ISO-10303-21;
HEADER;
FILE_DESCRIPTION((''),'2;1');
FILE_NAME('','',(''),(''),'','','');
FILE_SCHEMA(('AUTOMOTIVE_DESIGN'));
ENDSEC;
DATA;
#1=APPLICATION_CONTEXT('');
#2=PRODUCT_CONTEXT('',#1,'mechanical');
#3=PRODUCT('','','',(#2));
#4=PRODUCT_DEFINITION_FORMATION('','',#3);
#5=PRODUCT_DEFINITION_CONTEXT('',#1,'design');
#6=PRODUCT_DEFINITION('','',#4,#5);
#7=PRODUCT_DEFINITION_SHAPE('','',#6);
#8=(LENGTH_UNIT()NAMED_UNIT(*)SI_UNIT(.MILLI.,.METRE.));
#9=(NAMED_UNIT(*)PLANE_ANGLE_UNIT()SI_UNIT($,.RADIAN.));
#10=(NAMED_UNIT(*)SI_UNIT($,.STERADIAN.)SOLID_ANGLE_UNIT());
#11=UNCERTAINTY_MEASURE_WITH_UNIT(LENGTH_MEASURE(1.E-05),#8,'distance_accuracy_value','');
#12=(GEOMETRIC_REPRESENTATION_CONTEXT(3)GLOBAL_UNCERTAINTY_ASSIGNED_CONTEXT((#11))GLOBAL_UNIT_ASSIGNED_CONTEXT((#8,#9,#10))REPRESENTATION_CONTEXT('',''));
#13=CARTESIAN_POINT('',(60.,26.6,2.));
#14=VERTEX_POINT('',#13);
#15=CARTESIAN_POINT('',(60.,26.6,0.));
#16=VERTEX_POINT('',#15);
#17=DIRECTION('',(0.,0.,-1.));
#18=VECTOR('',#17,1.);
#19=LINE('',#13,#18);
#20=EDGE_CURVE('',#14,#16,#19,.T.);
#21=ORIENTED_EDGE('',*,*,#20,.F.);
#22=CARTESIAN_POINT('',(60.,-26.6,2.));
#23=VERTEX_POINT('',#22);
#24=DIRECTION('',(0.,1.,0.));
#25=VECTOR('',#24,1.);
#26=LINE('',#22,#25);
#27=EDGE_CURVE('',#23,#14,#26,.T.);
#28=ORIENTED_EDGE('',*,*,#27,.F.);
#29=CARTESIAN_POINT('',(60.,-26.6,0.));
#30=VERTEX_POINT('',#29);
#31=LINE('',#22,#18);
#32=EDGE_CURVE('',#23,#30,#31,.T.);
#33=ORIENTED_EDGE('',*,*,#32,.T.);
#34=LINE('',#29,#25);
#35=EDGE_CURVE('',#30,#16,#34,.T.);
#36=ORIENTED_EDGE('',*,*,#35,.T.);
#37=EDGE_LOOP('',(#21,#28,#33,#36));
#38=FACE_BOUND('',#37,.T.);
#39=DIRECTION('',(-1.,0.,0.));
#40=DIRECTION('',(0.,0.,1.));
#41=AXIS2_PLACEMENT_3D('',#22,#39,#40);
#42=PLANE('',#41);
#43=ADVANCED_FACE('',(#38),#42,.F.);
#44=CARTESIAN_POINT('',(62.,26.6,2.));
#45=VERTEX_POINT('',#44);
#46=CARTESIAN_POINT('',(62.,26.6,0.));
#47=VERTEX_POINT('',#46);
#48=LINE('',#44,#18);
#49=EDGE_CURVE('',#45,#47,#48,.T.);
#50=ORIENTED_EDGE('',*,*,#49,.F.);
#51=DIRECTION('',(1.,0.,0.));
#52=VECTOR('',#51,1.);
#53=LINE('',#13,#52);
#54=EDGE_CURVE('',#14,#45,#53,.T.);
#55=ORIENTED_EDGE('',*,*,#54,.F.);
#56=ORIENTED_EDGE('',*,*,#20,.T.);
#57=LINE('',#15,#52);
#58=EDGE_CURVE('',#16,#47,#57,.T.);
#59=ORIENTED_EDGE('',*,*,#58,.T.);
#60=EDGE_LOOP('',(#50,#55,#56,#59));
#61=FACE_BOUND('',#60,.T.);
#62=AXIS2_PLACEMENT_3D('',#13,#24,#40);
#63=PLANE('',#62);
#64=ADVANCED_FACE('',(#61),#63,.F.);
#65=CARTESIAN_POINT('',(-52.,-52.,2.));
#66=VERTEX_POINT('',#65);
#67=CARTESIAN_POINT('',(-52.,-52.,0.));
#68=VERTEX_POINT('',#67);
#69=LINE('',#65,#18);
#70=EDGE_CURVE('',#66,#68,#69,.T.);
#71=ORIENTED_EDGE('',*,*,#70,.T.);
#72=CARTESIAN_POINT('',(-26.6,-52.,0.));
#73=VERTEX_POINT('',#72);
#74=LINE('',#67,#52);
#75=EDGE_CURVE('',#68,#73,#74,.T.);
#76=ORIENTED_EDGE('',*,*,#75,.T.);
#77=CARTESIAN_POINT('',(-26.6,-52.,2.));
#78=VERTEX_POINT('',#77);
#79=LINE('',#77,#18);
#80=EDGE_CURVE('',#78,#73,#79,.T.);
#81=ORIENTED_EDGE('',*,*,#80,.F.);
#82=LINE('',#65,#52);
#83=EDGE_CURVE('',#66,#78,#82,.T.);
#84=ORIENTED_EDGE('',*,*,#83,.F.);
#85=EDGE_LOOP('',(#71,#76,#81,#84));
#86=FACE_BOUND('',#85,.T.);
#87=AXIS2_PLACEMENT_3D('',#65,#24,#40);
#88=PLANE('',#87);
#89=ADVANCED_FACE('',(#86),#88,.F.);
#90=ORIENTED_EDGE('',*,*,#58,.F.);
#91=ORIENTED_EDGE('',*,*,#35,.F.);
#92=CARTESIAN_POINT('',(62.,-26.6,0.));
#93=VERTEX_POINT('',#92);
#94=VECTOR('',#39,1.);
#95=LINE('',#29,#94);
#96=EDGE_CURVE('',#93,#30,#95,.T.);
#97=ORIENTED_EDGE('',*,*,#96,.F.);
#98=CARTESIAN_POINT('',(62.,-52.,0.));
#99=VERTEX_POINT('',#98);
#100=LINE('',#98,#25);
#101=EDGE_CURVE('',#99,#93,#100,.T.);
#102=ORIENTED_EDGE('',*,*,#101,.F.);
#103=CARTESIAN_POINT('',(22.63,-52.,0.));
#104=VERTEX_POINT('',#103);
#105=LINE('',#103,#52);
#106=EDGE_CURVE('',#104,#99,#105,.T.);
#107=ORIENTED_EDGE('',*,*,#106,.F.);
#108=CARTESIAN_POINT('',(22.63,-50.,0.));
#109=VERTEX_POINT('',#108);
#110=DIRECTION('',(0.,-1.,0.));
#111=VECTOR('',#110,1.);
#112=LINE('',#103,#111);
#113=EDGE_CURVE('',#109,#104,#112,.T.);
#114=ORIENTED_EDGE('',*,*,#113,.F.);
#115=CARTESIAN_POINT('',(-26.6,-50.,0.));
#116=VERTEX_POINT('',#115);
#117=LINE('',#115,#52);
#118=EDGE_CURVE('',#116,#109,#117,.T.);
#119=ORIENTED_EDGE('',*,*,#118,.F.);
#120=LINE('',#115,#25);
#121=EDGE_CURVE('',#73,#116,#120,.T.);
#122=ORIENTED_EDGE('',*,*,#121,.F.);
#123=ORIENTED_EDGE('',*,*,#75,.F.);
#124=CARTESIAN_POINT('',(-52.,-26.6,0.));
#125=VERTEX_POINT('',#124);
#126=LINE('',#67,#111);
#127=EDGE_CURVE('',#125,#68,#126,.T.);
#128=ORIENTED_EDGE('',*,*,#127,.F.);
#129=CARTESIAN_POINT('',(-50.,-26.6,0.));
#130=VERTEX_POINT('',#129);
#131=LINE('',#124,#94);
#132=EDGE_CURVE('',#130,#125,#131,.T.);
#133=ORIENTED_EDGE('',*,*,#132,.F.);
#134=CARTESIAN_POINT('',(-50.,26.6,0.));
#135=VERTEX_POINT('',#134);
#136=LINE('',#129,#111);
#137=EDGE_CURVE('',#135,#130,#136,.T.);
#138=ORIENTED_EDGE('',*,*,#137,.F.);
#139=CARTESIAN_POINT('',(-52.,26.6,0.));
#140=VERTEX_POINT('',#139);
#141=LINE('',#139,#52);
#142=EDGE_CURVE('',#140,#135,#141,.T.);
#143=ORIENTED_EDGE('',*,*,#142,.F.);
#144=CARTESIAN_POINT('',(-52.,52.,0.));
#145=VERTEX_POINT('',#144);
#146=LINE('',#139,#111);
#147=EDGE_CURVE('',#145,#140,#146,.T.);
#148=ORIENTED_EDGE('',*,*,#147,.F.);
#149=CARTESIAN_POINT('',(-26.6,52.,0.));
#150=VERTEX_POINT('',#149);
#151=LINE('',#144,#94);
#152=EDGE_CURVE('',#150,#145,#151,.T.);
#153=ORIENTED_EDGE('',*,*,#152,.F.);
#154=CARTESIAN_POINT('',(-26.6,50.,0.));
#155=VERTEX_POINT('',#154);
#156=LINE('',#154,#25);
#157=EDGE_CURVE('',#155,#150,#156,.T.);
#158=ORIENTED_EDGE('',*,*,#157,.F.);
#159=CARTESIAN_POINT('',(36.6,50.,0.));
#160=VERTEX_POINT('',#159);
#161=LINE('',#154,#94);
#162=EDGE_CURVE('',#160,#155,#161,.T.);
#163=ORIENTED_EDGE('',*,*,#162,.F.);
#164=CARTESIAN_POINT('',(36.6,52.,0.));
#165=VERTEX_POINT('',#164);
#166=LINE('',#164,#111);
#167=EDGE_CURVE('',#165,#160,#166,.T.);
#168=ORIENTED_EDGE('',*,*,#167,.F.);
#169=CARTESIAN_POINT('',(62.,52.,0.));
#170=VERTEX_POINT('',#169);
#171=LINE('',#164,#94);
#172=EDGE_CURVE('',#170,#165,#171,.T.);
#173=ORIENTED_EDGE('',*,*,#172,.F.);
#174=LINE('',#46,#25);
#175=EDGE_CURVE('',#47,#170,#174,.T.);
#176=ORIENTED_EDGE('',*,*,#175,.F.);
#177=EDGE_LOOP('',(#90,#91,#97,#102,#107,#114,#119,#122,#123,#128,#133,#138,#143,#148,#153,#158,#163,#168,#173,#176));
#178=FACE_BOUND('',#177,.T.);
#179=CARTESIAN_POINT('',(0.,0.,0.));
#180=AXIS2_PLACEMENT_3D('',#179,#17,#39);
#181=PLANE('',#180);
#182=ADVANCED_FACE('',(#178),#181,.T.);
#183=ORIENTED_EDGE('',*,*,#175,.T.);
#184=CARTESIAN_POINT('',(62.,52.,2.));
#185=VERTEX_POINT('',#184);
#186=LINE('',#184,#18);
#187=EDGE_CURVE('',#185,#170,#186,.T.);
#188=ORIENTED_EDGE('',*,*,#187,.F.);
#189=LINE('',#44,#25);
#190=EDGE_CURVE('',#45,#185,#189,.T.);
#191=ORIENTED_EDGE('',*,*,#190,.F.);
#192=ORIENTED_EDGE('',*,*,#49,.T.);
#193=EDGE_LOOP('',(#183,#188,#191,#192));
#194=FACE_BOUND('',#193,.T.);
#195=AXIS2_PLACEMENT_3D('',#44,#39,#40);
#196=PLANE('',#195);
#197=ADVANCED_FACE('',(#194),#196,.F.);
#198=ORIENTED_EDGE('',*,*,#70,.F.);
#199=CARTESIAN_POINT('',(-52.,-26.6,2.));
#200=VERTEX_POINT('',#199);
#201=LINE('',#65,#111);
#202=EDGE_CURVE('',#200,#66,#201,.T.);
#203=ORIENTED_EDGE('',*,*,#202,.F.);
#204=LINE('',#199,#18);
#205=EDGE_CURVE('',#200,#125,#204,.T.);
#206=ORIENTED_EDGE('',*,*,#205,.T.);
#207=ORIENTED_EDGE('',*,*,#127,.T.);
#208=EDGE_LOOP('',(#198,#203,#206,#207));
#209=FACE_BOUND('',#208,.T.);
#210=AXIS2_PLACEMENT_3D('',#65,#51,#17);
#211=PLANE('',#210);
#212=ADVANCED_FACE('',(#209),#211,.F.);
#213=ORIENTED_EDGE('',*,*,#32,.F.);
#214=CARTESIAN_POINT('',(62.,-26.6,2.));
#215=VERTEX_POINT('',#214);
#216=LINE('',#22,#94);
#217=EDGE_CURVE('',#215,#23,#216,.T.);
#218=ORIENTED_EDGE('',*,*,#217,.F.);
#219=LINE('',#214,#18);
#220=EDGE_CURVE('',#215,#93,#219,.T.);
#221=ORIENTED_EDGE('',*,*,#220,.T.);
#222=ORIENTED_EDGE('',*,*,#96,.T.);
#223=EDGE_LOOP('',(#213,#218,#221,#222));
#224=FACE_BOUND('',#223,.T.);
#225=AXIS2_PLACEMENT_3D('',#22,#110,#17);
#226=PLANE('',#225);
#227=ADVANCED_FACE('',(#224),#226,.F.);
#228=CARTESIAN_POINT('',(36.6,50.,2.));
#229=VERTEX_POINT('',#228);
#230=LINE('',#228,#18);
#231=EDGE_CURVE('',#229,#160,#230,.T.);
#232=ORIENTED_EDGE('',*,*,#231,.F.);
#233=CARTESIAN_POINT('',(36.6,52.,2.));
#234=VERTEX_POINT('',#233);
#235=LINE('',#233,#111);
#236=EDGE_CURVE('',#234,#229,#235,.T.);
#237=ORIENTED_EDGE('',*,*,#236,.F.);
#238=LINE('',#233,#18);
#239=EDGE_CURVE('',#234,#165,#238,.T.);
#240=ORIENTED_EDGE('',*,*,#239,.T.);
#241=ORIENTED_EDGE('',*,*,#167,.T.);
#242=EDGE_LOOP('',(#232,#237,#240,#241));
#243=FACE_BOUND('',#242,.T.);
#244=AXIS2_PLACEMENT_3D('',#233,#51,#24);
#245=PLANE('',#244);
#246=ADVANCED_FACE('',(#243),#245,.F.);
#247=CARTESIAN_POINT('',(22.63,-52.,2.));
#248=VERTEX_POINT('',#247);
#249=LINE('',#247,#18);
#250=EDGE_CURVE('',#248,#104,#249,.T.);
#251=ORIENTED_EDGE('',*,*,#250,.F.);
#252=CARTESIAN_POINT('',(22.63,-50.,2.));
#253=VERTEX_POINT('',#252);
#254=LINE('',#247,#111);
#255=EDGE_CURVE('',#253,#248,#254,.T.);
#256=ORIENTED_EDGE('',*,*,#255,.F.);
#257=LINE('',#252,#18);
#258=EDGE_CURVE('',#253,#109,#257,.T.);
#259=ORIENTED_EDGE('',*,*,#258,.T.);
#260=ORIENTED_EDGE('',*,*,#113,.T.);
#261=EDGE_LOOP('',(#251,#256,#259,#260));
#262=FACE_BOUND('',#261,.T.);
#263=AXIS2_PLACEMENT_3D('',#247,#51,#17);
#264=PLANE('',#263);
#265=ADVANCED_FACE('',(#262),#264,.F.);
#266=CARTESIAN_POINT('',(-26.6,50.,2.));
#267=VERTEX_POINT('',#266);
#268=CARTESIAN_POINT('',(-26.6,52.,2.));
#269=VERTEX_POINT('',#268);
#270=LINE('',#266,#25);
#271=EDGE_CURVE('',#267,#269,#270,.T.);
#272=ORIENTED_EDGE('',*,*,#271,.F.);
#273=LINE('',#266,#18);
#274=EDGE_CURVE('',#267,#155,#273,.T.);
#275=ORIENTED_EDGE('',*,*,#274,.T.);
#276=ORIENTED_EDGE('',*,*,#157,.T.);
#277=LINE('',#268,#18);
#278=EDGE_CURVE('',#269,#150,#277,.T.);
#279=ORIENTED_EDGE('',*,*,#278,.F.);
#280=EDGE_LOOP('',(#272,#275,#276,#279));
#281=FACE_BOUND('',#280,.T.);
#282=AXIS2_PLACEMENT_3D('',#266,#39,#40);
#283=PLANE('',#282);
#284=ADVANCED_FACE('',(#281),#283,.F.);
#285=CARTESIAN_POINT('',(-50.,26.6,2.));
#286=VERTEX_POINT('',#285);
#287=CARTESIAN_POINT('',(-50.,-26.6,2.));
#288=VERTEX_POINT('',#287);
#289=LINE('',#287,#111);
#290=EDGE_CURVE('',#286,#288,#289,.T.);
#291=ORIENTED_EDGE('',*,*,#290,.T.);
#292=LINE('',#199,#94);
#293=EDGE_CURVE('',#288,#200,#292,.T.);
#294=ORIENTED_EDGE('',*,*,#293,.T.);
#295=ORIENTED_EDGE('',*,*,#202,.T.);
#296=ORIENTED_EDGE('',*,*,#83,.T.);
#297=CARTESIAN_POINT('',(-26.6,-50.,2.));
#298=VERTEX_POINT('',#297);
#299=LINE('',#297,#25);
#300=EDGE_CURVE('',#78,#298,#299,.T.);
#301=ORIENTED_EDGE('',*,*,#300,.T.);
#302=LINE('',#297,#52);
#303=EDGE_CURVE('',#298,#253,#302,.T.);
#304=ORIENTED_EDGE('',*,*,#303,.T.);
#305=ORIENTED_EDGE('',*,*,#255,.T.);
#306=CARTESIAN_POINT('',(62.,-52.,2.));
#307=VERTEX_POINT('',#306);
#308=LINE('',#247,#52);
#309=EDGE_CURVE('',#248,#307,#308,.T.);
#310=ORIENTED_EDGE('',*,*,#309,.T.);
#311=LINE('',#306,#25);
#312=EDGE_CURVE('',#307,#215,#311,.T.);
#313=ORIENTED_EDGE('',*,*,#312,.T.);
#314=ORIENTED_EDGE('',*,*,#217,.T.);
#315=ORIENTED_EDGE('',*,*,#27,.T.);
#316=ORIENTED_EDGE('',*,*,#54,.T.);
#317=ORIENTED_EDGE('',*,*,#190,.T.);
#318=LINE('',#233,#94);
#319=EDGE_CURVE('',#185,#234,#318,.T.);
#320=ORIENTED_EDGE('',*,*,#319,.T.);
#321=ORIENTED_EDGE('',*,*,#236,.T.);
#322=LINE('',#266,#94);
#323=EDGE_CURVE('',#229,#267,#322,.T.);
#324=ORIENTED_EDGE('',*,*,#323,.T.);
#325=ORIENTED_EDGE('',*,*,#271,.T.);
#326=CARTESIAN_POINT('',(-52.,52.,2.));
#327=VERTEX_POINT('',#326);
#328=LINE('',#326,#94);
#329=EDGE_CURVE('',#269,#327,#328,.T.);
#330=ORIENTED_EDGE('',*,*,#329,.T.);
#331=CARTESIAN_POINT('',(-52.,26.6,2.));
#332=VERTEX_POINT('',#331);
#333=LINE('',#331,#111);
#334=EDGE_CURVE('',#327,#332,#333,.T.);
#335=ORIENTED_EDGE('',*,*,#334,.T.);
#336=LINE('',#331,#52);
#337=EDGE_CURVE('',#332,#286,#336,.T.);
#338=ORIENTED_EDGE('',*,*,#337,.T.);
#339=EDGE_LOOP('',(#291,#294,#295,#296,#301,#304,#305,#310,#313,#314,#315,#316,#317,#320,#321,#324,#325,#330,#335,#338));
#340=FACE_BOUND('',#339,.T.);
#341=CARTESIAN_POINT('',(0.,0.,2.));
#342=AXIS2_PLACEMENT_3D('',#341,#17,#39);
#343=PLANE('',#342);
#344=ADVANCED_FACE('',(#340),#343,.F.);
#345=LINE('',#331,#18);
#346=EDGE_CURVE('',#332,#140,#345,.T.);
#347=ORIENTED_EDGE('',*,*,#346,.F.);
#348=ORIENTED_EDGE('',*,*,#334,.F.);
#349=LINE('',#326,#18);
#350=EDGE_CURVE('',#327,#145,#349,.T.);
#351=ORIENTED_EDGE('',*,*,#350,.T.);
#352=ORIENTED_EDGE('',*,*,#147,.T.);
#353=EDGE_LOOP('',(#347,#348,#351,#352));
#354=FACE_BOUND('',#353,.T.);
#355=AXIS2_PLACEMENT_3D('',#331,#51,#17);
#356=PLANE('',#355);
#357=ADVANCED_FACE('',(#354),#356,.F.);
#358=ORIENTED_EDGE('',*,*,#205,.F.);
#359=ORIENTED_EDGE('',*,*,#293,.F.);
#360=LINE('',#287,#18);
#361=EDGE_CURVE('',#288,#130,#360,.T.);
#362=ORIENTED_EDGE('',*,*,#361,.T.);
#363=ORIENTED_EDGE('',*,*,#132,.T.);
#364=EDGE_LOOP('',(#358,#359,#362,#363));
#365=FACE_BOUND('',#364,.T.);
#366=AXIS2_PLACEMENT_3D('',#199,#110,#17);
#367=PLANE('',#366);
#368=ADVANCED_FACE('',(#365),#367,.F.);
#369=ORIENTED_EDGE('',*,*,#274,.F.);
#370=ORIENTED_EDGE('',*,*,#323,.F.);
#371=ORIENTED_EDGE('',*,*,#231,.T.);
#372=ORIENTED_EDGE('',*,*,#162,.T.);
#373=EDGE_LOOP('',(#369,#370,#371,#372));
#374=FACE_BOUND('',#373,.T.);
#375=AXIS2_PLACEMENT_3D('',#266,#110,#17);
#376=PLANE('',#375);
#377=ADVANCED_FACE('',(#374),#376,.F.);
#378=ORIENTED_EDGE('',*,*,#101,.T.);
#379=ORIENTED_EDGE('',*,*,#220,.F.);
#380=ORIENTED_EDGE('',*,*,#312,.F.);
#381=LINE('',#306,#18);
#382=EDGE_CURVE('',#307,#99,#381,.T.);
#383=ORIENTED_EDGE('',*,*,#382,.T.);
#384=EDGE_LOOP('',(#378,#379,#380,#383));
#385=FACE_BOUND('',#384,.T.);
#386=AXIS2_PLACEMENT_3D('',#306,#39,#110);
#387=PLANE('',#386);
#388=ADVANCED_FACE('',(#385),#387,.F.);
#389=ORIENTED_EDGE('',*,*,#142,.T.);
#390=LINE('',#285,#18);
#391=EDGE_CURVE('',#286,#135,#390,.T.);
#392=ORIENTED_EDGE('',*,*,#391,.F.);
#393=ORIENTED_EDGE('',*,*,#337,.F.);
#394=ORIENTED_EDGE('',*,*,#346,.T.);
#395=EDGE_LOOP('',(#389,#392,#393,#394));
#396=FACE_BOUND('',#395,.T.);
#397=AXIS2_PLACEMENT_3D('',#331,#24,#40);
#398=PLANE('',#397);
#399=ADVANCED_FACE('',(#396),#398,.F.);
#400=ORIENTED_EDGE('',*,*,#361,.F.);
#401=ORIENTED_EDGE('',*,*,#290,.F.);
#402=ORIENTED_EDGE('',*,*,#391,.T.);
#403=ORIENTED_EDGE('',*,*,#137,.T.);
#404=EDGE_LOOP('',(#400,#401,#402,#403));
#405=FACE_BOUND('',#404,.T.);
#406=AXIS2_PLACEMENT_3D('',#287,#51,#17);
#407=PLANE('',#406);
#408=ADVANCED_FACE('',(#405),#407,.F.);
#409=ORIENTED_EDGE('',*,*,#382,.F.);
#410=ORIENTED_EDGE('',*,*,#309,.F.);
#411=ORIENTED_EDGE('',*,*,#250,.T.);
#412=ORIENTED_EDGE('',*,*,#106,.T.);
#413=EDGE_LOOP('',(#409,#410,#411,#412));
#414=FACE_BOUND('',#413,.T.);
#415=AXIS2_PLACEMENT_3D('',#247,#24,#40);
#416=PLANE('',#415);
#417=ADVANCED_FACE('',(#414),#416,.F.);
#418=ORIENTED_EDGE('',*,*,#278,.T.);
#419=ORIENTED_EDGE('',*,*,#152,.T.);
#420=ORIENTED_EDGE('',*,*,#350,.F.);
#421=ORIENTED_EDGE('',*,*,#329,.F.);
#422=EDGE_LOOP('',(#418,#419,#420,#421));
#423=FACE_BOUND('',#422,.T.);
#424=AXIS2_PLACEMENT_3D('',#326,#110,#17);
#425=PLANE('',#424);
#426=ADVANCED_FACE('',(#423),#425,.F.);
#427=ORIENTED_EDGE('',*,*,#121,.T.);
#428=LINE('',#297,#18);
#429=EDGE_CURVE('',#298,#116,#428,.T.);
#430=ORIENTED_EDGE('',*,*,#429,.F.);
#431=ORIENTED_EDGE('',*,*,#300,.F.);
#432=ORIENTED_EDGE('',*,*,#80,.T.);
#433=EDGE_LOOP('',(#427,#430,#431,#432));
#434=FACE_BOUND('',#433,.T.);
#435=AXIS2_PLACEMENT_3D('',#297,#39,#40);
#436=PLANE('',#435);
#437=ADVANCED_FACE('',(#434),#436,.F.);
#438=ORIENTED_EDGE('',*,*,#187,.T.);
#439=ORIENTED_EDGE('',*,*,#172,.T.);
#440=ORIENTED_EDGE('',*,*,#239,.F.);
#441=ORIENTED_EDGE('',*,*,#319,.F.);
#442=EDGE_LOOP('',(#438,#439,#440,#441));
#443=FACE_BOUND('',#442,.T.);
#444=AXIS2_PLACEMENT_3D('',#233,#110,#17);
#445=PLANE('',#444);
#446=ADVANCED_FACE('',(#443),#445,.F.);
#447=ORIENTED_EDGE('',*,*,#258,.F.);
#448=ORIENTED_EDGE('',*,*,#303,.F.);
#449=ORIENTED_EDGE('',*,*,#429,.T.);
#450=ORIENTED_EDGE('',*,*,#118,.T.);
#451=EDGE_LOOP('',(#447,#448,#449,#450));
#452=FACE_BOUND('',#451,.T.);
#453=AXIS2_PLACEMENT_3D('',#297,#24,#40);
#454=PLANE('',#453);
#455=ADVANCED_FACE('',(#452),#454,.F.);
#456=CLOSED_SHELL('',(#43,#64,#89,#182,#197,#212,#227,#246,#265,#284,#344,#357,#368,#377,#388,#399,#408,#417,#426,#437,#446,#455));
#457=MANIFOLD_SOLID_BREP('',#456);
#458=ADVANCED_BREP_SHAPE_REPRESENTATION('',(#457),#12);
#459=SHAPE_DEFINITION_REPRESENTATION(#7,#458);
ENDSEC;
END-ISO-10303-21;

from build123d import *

# Parameters (mm, degrees)
BOSS_EXTRUDE1_DEPTH = 2


with BuildPart() as part:
    # Sketch1 → Boss-Extrude1 (new body)
    with BuildSketch(Plane.XY):
        Polygon((-52, 52), (-26.6, 52), (-26.6, 50), (36.6, 50), (36.6, 52), (62, 52), (62, 26.6), (60, 26.6), (60, -26.6), (62, -26.6), (62, -52), (22.63, -52), (22.63, -50), (-26.6, -50), (-26.6, -52), (-52, -52), (-52, -26.6), (-50, -26.6), (-50, 26.6), (-52, 26.6), align=None)
    extrude(amount=BOSS_EXTRUDE1_DEPTH)


solid = part.part
